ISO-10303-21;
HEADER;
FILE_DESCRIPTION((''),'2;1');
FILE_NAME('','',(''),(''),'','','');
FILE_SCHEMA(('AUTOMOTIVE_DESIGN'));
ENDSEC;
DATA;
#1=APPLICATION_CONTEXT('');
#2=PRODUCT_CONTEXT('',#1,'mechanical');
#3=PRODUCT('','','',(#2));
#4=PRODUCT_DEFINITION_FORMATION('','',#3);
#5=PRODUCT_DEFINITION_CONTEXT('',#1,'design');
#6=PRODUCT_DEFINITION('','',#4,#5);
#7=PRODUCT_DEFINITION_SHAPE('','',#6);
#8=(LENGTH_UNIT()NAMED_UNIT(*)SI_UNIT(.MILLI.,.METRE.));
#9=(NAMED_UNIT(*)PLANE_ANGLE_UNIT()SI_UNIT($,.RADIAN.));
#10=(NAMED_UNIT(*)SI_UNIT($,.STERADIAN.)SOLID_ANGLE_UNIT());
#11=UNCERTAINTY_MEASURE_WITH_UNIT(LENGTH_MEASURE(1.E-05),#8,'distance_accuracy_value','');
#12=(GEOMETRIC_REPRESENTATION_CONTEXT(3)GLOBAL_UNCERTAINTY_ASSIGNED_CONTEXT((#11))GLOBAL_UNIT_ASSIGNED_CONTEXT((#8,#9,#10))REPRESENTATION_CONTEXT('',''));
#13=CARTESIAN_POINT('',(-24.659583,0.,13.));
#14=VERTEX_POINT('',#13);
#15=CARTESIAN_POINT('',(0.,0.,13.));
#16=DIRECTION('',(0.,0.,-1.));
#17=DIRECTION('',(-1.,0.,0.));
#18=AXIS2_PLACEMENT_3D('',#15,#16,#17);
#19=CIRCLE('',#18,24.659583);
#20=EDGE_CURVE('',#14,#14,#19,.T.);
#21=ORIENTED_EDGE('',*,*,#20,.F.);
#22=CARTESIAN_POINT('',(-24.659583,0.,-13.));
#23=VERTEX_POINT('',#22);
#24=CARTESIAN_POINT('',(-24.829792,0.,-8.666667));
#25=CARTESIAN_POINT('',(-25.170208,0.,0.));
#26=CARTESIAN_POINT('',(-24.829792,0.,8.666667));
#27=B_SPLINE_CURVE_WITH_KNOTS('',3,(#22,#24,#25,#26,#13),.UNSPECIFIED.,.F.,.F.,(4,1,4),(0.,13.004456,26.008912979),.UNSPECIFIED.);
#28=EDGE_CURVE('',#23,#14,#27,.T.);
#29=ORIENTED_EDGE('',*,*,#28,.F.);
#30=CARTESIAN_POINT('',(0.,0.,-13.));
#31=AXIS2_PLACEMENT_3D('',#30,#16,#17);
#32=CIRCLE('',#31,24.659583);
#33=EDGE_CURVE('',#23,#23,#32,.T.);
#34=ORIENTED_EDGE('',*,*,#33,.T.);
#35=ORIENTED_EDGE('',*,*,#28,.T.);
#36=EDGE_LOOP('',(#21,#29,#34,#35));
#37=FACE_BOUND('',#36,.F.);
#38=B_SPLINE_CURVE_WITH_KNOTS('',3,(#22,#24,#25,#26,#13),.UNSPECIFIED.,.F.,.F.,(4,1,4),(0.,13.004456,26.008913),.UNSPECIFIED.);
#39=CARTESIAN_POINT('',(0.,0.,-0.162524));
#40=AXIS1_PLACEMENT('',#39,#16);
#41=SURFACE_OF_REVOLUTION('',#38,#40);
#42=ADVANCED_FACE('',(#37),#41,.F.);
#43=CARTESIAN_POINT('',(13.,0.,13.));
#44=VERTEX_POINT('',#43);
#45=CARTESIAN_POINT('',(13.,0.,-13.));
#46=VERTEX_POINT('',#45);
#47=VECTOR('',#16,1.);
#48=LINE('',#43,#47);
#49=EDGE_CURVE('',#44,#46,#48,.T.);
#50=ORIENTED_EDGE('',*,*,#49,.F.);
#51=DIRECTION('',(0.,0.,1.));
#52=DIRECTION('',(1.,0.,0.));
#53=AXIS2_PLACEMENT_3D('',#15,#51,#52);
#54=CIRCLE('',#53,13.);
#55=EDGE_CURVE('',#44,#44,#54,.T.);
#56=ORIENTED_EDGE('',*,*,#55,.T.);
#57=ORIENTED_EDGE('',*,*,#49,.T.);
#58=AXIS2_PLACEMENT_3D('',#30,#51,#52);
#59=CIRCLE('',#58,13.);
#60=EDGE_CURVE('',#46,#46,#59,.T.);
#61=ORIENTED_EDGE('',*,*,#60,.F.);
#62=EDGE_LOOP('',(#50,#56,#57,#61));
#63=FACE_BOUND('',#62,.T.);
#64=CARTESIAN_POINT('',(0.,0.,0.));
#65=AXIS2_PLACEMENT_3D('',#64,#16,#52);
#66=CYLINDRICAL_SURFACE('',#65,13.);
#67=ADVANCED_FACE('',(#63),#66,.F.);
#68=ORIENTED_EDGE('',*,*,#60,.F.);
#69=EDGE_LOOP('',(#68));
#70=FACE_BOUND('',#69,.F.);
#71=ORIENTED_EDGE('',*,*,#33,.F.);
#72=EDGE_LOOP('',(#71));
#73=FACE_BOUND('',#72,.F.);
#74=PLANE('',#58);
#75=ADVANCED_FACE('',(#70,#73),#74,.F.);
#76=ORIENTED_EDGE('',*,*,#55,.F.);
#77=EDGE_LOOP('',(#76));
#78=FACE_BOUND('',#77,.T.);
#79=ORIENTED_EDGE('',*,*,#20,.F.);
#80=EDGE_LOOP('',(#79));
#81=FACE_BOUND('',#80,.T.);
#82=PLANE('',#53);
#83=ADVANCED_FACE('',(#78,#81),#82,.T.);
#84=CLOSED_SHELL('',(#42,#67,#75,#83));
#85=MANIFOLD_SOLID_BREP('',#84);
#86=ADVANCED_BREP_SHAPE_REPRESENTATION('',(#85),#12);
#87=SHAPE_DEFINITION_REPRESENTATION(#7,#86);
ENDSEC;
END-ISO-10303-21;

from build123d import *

# Parameters (mm, degrees)
F0_R     = 25
F0_R_2   = 13
F1_DEPTH = 13


with BuildPart() as f1:
    # F0 (on Top) → F1 (new body, symmetric)
    with BuildSketch(Plane.XY):
        Circle(F0_R)
        Circle(F0_R_2, mode=Mode.SUBTRACT)
    extrude(amount=F1_DEPTH, both=True)

    # F2 (on Front) → F3 (revolve, cut)
    with BuildSketch(Plane.XZ):
        with BuildLine():
            add(Edge.make_bspline(
                [(-24.659583, -13), (-24.829792, -8.666667), (-25.170208, 0), (-24.829792, 8.666667), (-24.659583, 13)],
                knots=[0, 0, 0, 0, 13.004456, 26.008913, 26.008913, 26.008913, 26.008913], degree=3))
            Line((-24.659583, 13), (-43.254843, 13))
            Line((-43.254843, 13), (-43.254843, -13))
            Line((-43.254843, -13), (-24.659583, -13))
        make_face()
    revolve(axis=Axis((0, 0, -0.162524), (0, 0, -1)), mode=Mode.SUBTRACT)


solid = f1.part
